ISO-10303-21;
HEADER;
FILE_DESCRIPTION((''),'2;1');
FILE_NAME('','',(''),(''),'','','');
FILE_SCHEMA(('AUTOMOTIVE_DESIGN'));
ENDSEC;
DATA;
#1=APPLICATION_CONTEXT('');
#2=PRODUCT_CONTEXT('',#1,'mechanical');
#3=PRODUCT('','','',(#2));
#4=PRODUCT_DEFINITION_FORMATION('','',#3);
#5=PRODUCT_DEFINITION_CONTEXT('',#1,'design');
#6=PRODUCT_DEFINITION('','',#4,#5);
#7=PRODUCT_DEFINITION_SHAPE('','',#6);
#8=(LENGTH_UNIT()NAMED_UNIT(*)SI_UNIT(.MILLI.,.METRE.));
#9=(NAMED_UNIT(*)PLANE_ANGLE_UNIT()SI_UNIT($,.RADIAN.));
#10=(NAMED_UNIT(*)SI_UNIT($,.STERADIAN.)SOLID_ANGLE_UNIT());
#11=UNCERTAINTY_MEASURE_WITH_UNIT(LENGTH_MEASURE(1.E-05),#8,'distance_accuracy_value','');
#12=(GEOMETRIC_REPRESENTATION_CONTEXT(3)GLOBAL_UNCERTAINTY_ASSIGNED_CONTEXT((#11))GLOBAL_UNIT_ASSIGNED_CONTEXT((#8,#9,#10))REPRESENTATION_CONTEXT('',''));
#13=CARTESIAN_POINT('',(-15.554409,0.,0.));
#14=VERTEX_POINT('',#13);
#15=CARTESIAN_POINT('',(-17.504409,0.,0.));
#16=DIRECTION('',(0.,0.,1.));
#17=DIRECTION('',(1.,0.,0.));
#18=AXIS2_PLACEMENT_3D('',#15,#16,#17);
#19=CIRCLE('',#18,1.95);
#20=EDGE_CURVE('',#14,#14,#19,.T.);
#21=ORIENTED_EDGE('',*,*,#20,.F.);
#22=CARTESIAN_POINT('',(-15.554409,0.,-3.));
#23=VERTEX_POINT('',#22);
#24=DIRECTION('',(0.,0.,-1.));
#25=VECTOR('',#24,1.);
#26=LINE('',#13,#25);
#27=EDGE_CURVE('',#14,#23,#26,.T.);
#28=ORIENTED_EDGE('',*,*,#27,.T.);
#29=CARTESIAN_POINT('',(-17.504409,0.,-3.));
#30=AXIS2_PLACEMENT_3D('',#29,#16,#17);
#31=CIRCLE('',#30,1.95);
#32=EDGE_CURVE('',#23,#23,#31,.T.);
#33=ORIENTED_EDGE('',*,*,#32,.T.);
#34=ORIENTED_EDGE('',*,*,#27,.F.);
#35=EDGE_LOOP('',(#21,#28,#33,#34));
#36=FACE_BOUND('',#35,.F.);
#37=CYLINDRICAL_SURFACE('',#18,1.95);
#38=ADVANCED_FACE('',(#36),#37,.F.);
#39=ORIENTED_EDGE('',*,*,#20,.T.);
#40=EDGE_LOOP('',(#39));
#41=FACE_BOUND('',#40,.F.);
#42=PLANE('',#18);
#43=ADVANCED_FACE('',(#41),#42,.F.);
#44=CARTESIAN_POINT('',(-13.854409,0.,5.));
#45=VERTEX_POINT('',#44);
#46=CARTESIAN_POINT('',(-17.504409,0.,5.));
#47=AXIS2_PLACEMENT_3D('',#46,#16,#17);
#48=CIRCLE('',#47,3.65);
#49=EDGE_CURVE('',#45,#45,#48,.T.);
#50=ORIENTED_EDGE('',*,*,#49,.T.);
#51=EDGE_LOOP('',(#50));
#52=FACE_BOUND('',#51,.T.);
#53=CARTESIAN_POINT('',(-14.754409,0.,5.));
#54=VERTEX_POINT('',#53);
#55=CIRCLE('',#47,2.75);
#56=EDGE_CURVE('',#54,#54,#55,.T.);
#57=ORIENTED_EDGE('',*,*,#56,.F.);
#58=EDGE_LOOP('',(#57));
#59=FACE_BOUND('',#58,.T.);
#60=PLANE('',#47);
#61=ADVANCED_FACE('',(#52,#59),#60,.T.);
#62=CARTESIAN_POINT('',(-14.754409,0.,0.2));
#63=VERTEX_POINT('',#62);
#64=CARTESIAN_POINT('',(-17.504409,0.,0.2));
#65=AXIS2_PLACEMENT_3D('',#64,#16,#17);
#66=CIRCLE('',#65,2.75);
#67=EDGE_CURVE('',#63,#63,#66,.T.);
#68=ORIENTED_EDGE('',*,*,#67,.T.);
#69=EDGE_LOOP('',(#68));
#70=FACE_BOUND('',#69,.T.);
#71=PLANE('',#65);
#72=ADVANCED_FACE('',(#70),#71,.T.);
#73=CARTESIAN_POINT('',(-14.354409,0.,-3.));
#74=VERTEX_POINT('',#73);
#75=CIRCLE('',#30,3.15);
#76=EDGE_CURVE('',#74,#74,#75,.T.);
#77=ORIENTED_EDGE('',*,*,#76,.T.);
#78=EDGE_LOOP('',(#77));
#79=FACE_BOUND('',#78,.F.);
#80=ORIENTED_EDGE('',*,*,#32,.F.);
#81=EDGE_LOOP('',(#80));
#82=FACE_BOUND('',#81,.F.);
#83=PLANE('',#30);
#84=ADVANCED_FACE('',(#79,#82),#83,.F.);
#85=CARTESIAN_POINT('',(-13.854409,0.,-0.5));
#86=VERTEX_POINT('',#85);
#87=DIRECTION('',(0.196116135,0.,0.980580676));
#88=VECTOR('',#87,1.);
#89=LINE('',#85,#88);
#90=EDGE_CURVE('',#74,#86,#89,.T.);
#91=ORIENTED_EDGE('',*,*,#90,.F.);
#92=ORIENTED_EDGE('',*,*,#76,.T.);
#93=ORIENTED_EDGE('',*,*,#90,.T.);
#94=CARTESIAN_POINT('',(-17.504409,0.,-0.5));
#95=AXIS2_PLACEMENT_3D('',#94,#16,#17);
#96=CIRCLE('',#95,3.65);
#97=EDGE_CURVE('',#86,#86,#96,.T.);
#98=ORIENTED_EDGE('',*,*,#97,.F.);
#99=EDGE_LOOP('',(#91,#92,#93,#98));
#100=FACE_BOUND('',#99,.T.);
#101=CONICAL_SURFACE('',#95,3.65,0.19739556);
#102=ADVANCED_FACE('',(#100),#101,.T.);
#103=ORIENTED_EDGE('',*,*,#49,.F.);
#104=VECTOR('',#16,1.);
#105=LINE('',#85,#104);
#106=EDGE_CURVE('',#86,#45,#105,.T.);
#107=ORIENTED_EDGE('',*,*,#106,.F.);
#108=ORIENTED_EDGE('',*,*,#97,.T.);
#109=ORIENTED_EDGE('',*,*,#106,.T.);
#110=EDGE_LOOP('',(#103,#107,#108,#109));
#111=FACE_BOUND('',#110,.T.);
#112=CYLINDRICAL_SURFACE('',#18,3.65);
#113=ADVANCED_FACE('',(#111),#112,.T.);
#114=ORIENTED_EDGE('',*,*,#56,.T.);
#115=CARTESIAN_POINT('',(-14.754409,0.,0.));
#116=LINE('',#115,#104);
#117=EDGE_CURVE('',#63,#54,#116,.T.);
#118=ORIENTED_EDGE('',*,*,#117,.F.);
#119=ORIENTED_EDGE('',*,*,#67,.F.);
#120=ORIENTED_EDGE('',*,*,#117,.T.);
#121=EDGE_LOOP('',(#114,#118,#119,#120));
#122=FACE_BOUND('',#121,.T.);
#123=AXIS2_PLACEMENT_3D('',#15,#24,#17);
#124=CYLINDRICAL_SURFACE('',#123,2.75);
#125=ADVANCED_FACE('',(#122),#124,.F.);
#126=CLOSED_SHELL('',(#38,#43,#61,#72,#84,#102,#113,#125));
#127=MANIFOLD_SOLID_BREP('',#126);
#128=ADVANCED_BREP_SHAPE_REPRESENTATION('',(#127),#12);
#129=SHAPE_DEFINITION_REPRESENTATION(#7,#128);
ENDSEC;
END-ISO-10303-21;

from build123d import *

# Parameters (mm, degrees)
F0_R     = 3.65
F0_R_2   = 2.75
F0_R_3   = 1.95
F1_DEPTH = 3
F2_DEPTH = 5
F3_SIZE2 = 2.5
F3_SIZE  = 0.5
F4_DEPTH = 0.2


with BuildPart() as f1:
    # F0 (on Top) → F1 (new body)
    with BuildSketch(Plane.XY):
        with Locations((-17.504408526, 0)):
            Circle(F0_R)
        with Locations((-17.504408526, 0)):
            Circle(F0_R_2, mode=Mode.SUBTRACT)
        with Locations((-17.504408526, 0)):
            Circle(F0_R_2)
        with Locations((-17.504408526, 0)):
            Circle(F0_R_3, mode=Mode.SUBTRACT)
    extrude(amount=-F1_DEPTH)

    # F0 (on Top) → F2 (join)
    with BuildSketch(Plane.XY):
        with Locations((-17.504408526, 0)):
            Circle(F0_R)
        with Locations((-17.504408526, 0)):
            Circle(F0_R_2, mode=Mode.SUBTRACT)
    extrude(amount=F2_DEPTH)

    # F3
    f3_edges = [f1.edges().sort_by_distance(p)[0] for p in [
        (-21.154409, 0, -3),
    ]]
    f3_side = f1.faces().sort_by_distance((-21.051171, 0, -3))[0]
    chamfer(f3_edges, length=F3_SIZE, length2=F3_SIZE2, reference=f3_side)

    # F0 (on Top) → F4 (join)
    with BuildSketch(Plane.XY):
        with Locations((-17.504408526, 0)):
            Circle(F0_R_2)
        with Locations((-17.504408526, 0)):
            Circle(F0_R_3, mode=Mode.SUBTRACT)
        with Locations((-17.504408526, 0)):
            Circle(F0_R_3)
    extrude(amount=F4_DEPTH)


solid = f1.part
